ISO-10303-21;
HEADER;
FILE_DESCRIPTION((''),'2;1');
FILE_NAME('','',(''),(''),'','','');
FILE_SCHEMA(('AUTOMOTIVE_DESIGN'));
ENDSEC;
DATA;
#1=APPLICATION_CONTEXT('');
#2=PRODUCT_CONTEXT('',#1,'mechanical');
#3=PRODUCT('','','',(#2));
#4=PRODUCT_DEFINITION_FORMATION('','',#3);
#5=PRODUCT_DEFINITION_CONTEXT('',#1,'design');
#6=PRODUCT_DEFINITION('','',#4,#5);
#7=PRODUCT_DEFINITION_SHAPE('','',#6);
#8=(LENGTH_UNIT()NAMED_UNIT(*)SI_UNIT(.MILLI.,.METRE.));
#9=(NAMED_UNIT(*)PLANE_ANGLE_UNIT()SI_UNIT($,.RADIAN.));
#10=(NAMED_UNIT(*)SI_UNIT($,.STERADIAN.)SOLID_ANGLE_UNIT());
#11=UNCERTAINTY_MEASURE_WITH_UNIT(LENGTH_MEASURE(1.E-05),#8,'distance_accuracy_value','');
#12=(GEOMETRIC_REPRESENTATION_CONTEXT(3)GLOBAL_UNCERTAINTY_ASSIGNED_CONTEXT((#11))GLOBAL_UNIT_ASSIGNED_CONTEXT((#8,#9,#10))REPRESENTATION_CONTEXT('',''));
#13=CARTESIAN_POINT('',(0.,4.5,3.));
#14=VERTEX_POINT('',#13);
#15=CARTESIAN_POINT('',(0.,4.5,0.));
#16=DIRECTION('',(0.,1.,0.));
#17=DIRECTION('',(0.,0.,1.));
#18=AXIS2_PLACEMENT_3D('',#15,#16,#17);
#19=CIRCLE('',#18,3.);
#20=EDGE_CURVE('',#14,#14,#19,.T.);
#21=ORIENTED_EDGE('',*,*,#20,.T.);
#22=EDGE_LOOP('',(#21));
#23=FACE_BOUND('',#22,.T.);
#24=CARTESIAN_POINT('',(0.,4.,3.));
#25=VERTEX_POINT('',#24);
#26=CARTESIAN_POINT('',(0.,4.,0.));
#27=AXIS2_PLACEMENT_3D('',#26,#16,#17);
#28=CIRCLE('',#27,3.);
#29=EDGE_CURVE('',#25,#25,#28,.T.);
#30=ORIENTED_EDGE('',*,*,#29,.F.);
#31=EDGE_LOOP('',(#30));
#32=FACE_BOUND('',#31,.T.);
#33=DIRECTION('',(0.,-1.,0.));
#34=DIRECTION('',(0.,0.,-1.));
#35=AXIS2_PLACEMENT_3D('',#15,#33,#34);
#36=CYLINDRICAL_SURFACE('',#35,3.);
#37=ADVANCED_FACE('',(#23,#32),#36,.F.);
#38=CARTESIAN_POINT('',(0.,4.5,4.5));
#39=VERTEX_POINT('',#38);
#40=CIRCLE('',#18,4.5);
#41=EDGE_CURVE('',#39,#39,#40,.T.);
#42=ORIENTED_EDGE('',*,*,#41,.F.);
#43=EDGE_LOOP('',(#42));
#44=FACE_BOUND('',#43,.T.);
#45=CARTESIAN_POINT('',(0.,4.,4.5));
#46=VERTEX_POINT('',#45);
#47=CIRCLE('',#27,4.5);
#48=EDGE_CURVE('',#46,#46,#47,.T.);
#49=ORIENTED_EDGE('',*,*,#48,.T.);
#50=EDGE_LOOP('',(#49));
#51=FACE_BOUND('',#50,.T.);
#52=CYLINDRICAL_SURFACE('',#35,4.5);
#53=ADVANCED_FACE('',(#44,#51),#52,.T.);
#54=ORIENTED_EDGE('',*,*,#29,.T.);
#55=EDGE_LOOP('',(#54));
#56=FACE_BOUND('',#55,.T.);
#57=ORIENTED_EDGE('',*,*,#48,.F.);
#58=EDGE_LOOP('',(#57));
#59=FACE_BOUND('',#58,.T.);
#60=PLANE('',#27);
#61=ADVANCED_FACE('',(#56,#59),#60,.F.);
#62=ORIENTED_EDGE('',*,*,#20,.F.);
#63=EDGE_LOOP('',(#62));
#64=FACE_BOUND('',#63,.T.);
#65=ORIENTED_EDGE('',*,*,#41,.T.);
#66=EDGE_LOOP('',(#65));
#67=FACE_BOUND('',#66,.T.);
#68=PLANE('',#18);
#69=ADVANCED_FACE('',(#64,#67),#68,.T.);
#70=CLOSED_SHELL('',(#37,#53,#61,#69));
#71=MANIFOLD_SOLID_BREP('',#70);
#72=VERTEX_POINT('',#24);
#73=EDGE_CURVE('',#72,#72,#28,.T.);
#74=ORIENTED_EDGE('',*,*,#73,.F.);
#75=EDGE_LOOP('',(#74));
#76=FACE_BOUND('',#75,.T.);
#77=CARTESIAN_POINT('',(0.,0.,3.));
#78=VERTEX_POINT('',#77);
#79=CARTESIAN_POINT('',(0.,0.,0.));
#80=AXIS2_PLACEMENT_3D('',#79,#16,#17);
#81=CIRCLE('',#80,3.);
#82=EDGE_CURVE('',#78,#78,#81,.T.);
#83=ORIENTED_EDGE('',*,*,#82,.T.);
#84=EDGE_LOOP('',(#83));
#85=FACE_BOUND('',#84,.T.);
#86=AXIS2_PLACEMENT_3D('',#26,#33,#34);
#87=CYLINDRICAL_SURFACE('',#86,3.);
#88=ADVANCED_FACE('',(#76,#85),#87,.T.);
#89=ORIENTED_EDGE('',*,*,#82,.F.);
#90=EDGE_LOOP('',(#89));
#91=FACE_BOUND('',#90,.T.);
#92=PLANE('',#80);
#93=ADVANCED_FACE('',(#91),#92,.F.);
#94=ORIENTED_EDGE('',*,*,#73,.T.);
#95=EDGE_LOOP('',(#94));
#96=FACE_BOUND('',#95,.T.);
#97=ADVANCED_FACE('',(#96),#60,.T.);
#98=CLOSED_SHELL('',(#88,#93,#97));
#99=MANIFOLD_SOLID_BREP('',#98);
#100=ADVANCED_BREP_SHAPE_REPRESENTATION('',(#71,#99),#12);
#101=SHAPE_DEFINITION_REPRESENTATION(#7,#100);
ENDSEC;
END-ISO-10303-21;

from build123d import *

# Parameters (mm, degrees)
CROQUIS1_R              = 3
SALIENTE_EXTRUIR1_DEPTH = 4
CROQUIS2_R              = 4.5
CROQUIS2_R_2            = 3
SALIENTE_EXTRUIR2_DEPTH = 0.5


with BuildPart() as part:
    # Croquis1 → Saliente-Extruir1 (new body)
    with BuildSketch(Plane(origin=(0, 0, 0), x_dir=(1, 0, 0), z_dir=(0, 1, 0))):
        Circle(CROQUIS1_R)
    extrude(amount=SALIENTE_EXTRUIR1_DEPTH)


with BuildPart() as body_2:
    # Croquis2 → Saliente-Extruir2 (new body)
    with BuildSketch(Plane(origin=(0, 4, 0), x_dir=(1, 0, 0), z_dir=(0, 1, 0))):
        Circle(CROQUIS2_R)
        Circle(CROQUIS2_R_2, mode=Mode.SUBTRACT)
    extrude(amount=SALIENTE_EXTRUIR2_DEPTH)


solid = Compound([part.part, body_2.part])
